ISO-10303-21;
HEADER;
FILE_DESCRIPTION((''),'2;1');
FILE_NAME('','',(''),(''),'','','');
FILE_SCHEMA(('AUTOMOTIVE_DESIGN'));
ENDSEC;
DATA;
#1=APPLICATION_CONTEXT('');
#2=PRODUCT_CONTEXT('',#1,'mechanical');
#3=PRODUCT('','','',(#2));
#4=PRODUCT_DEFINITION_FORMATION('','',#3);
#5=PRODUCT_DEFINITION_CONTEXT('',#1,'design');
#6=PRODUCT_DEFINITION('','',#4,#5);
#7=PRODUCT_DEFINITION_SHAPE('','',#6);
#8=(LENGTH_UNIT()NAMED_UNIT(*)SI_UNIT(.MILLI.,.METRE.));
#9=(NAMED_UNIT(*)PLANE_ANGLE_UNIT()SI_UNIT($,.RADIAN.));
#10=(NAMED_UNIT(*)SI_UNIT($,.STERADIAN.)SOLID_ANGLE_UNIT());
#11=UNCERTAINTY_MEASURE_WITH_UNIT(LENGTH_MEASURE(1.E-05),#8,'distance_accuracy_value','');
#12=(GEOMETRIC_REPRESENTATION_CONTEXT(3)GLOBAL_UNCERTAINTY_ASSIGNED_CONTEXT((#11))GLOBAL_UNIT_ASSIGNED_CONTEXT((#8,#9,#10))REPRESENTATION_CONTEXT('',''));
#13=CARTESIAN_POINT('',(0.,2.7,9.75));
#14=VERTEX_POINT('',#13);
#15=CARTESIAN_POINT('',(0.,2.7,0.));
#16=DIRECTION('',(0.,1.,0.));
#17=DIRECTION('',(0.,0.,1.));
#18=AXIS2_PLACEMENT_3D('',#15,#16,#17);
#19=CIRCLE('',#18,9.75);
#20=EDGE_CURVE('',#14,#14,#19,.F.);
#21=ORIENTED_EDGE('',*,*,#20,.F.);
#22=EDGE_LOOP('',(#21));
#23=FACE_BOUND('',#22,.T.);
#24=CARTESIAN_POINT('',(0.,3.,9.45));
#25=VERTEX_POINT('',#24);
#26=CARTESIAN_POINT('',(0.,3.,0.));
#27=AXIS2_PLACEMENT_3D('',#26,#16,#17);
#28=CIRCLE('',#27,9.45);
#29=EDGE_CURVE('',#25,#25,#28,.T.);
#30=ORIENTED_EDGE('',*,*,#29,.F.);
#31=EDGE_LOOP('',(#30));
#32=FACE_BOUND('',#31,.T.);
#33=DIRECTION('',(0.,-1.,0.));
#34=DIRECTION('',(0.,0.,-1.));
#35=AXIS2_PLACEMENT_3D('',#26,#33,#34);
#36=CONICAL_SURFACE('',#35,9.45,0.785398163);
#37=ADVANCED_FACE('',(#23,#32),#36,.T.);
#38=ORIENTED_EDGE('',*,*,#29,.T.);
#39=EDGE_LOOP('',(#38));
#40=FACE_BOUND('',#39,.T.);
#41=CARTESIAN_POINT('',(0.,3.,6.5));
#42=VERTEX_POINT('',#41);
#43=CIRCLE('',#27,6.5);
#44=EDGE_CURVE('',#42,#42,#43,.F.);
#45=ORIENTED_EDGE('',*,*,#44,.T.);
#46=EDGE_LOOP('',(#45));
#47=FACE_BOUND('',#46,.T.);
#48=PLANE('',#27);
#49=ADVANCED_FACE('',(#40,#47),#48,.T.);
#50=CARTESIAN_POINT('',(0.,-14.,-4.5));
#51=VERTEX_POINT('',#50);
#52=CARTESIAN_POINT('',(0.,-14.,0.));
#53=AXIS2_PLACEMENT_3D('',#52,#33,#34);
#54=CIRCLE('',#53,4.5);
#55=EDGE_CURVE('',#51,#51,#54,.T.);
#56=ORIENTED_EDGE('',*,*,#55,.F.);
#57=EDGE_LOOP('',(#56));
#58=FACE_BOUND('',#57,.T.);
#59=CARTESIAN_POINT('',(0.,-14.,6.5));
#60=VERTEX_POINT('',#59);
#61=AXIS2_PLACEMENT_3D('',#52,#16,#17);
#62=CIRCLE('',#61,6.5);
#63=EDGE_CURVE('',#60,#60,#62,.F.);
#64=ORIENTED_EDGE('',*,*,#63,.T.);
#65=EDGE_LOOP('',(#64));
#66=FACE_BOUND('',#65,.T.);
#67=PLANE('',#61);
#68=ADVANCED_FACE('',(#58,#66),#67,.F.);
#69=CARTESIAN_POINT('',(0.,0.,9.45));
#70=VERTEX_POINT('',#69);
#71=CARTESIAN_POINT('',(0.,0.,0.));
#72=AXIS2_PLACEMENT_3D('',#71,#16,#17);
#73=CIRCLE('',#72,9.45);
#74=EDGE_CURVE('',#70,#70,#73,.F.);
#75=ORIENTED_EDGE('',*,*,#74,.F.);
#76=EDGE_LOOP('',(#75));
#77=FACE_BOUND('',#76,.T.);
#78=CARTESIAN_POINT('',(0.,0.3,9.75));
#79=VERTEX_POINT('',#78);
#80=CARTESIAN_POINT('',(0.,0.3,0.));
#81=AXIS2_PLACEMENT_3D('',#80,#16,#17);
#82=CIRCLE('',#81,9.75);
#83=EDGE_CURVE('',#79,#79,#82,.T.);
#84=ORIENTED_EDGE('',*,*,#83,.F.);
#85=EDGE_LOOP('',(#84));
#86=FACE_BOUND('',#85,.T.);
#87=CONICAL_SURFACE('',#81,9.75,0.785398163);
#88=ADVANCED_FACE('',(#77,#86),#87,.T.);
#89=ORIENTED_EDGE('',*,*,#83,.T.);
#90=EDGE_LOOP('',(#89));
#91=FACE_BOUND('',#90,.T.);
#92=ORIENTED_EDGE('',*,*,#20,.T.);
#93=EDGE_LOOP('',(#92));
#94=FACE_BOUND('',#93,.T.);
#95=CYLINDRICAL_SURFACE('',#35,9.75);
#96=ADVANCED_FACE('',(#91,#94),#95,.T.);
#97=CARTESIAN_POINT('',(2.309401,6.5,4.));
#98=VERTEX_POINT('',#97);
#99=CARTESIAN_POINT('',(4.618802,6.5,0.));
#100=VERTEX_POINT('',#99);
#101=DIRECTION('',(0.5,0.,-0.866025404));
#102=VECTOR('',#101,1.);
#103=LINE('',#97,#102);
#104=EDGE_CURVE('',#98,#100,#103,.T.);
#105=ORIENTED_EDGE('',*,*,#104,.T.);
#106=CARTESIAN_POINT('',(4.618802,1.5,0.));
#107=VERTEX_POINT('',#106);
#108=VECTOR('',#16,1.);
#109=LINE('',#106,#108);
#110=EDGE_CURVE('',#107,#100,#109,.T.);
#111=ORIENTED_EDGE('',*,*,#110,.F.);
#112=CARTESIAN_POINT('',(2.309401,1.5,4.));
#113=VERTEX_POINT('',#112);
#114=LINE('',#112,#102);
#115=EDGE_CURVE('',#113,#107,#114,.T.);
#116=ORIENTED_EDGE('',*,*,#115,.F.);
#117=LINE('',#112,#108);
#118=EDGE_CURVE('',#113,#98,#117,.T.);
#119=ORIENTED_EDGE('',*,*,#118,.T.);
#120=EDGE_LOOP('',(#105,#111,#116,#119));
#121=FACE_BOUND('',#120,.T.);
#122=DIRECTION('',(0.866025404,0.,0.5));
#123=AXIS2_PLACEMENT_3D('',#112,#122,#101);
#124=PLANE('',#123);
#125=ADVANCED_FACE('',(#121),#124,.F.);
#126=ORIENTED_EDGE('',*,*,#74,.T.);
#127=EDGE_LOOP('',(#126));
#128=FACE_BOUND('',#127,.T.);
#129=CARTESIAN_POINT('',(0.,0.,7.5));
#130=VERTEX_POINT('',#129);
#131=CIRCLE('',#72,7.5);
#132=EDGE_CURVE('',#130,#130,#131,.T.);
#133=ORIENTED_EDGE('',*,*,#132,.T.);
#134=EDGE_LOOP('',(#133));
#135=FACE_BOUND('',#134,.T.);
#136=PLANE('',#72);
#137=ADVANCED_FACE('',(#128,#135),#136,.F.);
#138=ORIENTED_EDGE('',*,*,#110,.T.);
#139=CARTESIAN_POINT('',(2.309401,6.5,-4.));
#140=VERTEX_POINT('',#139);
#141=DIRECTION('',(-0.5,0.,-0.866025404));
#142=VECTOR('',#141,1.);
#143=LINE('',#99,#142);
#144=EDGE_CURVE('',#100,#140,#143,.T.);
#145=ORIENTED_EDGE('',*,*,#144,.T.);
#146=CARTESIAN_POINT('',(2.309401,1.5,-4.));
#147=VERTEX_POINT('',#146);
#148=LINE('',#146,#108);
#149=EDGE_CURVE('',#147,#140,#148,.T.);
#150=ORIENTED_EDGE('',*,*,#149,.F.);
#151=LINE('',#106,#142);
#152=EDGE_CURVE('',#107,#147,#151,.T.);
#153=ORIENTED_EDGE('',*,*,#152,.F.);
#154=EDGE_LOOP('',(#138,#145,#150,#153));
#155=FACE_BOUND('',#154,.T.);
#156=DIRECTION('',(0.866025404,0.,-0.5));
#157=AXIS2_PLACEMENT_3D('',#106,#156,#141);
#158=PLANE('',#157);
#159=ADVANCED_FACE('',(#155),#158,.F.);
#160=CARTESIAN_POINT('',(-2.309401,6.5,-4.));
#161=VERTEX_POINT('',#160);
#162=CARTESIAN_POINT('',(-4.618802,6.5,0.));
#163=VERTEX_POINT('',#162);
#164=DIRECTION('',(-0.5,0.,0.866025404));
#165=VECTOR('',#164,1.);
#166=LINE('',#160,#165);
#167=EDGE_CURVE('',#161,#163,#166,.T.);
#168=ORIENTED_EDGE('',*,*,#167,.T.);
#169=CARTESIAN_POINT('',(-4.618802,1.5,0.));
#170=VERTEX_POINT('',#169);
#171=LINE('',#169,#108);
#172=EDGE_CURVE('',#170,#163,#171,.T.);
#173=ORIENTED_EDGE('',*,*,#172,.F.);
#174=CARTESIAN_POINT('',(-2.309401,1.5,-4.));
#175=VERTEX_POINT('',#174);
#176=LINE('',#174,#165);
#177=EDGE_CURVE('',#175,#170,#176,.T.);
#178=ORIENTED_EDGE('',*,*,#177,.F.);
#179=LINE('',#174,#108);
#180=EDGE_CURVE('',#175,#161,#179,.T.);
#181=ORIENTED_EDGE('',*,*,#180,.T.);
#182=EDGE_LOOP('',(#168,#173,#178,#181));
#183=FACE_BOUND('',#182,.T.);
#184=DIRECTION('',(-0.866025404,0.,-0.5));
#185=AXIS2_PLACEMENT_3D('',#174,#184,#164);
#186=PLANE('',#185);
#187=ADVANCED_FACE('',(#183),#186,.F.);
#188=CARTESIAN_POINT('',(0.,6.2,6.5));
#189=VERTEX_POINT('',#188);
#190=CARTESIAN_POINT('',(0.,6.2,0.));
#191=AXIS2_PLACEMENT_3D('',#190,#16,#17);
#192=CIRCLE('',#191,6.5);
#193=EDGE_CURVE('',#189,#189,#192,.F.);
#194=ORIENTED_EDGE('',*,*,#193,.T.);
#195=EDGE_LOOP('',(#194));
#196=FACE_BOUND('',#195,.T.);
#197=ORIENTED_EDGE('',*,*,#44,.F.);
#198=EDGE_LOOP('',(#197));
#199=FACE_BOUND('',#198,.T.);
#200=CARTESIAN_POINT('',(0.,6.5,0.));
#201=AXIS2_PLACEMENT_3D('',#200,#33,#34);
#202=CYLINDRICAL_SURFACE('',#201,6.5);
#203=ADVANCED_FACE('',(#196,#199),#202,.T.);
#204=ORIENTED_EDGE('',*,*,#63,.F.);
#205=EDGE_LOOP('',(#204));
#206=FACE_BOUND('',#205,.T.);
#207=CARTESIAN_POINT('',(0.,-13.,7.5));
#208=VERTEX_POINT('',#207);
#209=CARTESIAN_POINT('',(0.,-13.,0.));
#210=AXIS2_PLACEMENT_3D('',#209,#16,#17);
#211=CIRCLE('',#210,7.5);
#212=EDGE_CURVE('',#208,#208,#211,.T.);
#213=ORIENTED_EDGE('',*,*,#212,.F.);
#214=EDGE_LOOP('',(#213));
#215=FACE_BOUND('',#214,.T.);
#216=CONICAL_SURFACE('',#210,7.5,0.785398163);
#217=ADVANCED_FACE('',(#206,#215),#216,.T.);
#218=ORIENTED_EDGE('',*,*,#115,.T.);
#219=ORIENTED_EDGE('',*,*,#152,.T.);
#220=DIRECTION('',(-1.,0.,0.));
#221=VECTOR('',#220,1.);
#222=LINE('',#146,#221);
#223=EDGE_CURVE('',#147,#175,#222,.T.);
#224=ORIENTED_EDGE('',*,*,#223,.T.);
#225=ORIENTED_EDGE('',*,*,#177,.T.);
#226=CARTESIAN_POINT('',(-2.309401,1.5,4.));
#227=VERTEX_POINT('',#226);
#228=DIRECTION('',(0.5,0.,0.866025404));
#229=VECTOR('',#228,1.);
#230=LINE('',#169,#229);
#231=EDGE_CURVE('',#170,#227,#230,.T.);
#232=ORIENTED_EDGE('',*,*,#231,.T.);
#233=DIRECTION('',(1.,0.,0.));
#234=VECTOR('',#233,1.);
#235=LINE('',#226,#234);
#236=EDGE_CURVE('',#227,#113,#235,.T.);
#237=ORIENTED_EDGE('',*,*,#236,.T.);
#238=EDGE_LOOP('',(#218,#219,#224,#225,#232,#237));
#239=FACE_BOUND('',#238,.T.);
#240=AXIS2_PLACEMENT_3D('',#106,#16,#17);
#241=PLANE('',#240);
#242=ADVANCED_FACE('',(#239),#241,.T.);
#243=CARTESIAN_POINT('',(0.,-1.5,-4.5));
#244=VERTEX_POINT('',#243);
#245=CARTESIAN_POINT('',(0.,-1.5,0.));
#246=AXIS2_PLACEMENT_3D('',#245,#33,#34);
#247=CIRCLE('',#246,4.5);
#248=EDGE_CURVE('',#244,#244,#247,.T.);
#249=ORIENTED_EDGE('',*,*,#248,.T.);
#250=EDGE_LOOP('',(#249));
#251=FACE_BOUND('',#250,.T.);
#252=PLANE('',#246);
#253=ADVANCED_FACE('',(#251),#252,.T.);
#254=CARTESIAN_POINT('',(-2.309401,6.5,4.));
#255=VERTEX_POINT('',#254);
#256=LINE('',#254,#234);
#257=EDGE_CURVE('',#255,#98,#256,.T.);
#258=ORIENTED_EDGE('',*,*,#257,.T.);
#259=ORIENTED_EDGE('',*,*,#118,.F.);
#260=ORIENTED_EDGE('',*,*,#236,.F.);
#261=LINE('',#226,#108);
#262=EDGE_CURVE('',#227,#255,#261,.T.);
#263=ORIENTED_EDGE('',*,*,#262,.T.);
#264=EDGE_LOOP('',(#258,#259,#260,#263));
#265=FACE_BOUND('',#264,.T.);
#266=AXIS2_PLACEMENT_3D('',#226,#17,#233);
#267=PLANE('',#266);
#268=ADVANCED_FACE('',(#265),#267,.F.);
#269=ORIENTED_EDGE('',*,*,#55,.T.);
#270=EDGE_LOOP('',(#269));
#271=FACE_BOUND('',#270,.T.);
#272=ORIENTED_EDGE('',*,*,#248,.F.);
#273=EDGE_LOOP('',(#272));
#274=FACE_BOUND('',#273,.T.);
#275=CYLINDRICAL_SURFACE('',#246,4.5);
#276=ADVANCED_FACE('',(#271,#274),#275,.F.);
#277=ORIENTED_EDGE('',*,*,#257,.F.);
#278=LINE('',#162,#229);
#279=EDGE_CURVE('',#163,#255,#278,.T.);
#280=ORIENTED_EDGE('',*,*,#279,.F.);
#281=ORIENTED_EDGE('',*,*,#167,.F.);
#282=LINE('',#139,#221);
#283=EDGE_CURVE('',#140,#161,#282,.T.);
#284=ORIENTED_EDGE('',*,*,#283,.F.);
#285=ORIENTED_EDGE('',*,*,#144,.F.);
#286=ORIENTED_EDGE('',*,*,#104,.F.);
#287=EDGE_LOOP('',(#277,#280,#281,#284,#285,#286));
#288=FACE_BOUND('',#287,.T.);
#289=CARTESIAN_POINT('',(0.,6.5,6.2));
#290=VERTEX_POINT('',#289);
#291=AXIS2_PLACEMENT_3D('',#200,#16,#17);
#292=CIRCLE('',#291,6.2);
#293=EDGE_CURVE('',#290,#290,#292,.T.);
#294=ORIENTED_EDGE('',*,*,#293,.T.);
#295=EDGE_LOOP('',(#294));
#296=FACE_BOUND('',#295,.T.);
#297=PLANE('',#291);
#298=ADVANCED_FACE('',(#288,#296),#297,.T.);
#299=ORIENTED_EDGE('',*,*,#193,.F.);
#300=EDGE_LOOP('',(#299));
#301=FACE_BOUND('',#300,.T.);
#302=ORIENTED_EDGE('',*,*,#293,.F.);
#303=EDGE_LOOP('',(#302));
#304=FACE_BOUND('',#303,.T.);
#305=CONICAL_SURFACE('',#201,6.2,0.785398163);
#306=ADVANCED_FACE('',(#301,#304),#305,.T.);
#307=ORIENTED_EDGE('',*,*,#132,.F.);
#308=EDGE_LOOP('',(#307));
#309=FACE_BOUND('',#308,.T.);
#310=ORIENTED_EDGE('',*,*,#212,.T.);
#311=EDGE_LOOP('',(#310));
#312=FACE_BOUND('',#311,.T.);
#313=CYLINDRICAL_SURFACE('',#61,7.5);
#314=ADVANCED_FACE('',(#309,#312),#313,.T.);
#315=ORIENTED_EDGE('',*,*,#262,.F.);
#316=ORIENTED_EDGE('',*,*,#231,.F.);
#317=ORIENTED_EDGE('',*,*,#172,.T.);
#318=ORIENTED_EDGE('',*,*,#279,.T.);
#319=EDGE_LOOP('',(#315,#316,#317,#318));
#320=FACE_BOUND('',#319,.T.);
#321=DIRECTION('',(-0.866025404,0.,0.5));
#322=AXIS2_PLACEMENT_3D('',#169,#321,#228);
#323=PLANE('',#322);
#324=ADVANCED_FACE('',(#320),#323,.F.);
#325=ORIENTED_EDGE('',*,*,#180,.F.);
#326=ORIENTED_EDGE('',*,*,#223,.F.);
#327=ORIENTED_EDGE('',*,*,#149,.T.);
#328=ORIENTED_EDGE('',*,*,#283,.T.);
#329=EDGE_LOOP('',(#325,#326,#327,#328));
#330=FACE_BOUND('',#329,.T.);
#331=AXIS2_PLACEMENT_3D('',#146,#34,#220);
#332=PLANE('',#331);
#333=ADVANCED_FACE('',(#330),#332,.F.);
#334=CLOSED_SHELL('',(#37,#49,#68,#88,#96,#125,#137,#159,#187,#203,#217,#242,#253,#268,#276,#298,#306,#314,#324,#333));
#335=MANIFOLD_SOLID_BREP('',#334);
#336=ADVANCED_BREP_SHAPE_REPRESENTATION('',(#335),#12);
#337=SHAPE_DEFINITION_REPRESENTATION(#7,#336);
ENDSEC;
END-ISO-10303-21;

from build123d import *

# Parameters (mm, degrees)
ESQUISSE1_R             = 7.5
EXTRUSION1_DEPTH        = 14
ESQUISSE2_R             = 9.75
EXTRUSION2_DEPTH        = 3
ESQUISSE3_R             = 6.5
EXTRUSION3_DEPTH        = 6.5
ESQUISSE4_R             = 4.5
ENL_V_MAT_EXTRU_1_DEPTH = 12.5
ENL_V_MAT_EXTRU_2_DEPTH = 5
CHANFREIN1_SIZE         = 1
CHANFREIN2_SIZE         = 0.3


with BuildPart() as part:
    # Esquisse1 → Extrusion1 (new body)
    with BuildSketch(Plane(origin=(0, 0, 0), x_dir=(1, 0, 0), z_dir=(0, 1, 0))):
        with Locations(Location((0, 0, 0), (0, 0, 270))):  # turned: the seam where the file's is
            Circle(ESQUISSE1_R)
    extrude(amount=-EXTRUSION1_DEPTH)

    # Esquisse2 → Extrusion2 (add)
    with BuildSketch(Plane(origin=(0, 0, 0), x_dir=(-1, 0, 0), z_dir=(0, 1, 0))):
        with Locations(Location((0, 0, 0), (0, 0, 90))):  # turned: the seam where the file's is
            Circle(ESQUISSE2_R)
    extrude(amount=EXTRUSION2_DEPTH)

    # Esquisse3 → Extrusion3 (add)
    with BuildSketch(Plane(origin=(0, 0, 0), x_dir=(1, 0, 0), z_dir=(0, 1, 0))):
        with Locations(Location((0, 0, 0), (0, 0, 270))):  # turned: the seam where the file's is
            Circle(ESQUISSE3_R)
    extrude(amount=EXTRUSION3_DEPTH)

    # Esquisse4 → Enlèv. mat.-Extru.1 (cut)
    with BuildSketch(Plane.XZ.offset(14)):
        with Locations(Location((0, 0, 0), (0, 0, 270))):  # turned: the seam where the file's is
            Circle(ESQUISSE4_R)
    extrude(amount=-ENL_V_MAT_EXTRU_1_DEPTH, mode=Mode.SUBTRACT)

    # Esquisse5 → Enlèv. mat.-Extru.2 (cut)
    with BuildSketch(Plane(origin=(0, 6.5, 0), x_dir=(-1, 0, 0), z_dir=(0, 1, 0))):
        Polygon((-4.618802154, 0), (-2.309401077, -4), (2.309401077, -4), (4.618802154, 0), (2.309401077, 4), (-2.309401077, 4), align=None)
    extrude(amount=-ENL_V_MAT_EXTRU_2_DEPTH, mode=Mode.SUBTRACT)

    # Chanfrein1
    chanfrein1_edges = [part.edges().sort_by_distance(p)[0] for p in [
        (0, -14, -7.5),
    ]]
    chamfer(chanfrein1_edges, length=CHANFREIN1_SIZE)

    # Chanfrein2
    chanfrein2_edges = [part.edges().sort_by_distance(p)[0] for p in [
        (0, 6.5, -6.5),
        (0, 0, -9.75),
        (0, 3, -9.75),
    ]]
    chamfer(chanfrein2_edges, length=CHANFREIN2_SIZE)


solid = part.part
